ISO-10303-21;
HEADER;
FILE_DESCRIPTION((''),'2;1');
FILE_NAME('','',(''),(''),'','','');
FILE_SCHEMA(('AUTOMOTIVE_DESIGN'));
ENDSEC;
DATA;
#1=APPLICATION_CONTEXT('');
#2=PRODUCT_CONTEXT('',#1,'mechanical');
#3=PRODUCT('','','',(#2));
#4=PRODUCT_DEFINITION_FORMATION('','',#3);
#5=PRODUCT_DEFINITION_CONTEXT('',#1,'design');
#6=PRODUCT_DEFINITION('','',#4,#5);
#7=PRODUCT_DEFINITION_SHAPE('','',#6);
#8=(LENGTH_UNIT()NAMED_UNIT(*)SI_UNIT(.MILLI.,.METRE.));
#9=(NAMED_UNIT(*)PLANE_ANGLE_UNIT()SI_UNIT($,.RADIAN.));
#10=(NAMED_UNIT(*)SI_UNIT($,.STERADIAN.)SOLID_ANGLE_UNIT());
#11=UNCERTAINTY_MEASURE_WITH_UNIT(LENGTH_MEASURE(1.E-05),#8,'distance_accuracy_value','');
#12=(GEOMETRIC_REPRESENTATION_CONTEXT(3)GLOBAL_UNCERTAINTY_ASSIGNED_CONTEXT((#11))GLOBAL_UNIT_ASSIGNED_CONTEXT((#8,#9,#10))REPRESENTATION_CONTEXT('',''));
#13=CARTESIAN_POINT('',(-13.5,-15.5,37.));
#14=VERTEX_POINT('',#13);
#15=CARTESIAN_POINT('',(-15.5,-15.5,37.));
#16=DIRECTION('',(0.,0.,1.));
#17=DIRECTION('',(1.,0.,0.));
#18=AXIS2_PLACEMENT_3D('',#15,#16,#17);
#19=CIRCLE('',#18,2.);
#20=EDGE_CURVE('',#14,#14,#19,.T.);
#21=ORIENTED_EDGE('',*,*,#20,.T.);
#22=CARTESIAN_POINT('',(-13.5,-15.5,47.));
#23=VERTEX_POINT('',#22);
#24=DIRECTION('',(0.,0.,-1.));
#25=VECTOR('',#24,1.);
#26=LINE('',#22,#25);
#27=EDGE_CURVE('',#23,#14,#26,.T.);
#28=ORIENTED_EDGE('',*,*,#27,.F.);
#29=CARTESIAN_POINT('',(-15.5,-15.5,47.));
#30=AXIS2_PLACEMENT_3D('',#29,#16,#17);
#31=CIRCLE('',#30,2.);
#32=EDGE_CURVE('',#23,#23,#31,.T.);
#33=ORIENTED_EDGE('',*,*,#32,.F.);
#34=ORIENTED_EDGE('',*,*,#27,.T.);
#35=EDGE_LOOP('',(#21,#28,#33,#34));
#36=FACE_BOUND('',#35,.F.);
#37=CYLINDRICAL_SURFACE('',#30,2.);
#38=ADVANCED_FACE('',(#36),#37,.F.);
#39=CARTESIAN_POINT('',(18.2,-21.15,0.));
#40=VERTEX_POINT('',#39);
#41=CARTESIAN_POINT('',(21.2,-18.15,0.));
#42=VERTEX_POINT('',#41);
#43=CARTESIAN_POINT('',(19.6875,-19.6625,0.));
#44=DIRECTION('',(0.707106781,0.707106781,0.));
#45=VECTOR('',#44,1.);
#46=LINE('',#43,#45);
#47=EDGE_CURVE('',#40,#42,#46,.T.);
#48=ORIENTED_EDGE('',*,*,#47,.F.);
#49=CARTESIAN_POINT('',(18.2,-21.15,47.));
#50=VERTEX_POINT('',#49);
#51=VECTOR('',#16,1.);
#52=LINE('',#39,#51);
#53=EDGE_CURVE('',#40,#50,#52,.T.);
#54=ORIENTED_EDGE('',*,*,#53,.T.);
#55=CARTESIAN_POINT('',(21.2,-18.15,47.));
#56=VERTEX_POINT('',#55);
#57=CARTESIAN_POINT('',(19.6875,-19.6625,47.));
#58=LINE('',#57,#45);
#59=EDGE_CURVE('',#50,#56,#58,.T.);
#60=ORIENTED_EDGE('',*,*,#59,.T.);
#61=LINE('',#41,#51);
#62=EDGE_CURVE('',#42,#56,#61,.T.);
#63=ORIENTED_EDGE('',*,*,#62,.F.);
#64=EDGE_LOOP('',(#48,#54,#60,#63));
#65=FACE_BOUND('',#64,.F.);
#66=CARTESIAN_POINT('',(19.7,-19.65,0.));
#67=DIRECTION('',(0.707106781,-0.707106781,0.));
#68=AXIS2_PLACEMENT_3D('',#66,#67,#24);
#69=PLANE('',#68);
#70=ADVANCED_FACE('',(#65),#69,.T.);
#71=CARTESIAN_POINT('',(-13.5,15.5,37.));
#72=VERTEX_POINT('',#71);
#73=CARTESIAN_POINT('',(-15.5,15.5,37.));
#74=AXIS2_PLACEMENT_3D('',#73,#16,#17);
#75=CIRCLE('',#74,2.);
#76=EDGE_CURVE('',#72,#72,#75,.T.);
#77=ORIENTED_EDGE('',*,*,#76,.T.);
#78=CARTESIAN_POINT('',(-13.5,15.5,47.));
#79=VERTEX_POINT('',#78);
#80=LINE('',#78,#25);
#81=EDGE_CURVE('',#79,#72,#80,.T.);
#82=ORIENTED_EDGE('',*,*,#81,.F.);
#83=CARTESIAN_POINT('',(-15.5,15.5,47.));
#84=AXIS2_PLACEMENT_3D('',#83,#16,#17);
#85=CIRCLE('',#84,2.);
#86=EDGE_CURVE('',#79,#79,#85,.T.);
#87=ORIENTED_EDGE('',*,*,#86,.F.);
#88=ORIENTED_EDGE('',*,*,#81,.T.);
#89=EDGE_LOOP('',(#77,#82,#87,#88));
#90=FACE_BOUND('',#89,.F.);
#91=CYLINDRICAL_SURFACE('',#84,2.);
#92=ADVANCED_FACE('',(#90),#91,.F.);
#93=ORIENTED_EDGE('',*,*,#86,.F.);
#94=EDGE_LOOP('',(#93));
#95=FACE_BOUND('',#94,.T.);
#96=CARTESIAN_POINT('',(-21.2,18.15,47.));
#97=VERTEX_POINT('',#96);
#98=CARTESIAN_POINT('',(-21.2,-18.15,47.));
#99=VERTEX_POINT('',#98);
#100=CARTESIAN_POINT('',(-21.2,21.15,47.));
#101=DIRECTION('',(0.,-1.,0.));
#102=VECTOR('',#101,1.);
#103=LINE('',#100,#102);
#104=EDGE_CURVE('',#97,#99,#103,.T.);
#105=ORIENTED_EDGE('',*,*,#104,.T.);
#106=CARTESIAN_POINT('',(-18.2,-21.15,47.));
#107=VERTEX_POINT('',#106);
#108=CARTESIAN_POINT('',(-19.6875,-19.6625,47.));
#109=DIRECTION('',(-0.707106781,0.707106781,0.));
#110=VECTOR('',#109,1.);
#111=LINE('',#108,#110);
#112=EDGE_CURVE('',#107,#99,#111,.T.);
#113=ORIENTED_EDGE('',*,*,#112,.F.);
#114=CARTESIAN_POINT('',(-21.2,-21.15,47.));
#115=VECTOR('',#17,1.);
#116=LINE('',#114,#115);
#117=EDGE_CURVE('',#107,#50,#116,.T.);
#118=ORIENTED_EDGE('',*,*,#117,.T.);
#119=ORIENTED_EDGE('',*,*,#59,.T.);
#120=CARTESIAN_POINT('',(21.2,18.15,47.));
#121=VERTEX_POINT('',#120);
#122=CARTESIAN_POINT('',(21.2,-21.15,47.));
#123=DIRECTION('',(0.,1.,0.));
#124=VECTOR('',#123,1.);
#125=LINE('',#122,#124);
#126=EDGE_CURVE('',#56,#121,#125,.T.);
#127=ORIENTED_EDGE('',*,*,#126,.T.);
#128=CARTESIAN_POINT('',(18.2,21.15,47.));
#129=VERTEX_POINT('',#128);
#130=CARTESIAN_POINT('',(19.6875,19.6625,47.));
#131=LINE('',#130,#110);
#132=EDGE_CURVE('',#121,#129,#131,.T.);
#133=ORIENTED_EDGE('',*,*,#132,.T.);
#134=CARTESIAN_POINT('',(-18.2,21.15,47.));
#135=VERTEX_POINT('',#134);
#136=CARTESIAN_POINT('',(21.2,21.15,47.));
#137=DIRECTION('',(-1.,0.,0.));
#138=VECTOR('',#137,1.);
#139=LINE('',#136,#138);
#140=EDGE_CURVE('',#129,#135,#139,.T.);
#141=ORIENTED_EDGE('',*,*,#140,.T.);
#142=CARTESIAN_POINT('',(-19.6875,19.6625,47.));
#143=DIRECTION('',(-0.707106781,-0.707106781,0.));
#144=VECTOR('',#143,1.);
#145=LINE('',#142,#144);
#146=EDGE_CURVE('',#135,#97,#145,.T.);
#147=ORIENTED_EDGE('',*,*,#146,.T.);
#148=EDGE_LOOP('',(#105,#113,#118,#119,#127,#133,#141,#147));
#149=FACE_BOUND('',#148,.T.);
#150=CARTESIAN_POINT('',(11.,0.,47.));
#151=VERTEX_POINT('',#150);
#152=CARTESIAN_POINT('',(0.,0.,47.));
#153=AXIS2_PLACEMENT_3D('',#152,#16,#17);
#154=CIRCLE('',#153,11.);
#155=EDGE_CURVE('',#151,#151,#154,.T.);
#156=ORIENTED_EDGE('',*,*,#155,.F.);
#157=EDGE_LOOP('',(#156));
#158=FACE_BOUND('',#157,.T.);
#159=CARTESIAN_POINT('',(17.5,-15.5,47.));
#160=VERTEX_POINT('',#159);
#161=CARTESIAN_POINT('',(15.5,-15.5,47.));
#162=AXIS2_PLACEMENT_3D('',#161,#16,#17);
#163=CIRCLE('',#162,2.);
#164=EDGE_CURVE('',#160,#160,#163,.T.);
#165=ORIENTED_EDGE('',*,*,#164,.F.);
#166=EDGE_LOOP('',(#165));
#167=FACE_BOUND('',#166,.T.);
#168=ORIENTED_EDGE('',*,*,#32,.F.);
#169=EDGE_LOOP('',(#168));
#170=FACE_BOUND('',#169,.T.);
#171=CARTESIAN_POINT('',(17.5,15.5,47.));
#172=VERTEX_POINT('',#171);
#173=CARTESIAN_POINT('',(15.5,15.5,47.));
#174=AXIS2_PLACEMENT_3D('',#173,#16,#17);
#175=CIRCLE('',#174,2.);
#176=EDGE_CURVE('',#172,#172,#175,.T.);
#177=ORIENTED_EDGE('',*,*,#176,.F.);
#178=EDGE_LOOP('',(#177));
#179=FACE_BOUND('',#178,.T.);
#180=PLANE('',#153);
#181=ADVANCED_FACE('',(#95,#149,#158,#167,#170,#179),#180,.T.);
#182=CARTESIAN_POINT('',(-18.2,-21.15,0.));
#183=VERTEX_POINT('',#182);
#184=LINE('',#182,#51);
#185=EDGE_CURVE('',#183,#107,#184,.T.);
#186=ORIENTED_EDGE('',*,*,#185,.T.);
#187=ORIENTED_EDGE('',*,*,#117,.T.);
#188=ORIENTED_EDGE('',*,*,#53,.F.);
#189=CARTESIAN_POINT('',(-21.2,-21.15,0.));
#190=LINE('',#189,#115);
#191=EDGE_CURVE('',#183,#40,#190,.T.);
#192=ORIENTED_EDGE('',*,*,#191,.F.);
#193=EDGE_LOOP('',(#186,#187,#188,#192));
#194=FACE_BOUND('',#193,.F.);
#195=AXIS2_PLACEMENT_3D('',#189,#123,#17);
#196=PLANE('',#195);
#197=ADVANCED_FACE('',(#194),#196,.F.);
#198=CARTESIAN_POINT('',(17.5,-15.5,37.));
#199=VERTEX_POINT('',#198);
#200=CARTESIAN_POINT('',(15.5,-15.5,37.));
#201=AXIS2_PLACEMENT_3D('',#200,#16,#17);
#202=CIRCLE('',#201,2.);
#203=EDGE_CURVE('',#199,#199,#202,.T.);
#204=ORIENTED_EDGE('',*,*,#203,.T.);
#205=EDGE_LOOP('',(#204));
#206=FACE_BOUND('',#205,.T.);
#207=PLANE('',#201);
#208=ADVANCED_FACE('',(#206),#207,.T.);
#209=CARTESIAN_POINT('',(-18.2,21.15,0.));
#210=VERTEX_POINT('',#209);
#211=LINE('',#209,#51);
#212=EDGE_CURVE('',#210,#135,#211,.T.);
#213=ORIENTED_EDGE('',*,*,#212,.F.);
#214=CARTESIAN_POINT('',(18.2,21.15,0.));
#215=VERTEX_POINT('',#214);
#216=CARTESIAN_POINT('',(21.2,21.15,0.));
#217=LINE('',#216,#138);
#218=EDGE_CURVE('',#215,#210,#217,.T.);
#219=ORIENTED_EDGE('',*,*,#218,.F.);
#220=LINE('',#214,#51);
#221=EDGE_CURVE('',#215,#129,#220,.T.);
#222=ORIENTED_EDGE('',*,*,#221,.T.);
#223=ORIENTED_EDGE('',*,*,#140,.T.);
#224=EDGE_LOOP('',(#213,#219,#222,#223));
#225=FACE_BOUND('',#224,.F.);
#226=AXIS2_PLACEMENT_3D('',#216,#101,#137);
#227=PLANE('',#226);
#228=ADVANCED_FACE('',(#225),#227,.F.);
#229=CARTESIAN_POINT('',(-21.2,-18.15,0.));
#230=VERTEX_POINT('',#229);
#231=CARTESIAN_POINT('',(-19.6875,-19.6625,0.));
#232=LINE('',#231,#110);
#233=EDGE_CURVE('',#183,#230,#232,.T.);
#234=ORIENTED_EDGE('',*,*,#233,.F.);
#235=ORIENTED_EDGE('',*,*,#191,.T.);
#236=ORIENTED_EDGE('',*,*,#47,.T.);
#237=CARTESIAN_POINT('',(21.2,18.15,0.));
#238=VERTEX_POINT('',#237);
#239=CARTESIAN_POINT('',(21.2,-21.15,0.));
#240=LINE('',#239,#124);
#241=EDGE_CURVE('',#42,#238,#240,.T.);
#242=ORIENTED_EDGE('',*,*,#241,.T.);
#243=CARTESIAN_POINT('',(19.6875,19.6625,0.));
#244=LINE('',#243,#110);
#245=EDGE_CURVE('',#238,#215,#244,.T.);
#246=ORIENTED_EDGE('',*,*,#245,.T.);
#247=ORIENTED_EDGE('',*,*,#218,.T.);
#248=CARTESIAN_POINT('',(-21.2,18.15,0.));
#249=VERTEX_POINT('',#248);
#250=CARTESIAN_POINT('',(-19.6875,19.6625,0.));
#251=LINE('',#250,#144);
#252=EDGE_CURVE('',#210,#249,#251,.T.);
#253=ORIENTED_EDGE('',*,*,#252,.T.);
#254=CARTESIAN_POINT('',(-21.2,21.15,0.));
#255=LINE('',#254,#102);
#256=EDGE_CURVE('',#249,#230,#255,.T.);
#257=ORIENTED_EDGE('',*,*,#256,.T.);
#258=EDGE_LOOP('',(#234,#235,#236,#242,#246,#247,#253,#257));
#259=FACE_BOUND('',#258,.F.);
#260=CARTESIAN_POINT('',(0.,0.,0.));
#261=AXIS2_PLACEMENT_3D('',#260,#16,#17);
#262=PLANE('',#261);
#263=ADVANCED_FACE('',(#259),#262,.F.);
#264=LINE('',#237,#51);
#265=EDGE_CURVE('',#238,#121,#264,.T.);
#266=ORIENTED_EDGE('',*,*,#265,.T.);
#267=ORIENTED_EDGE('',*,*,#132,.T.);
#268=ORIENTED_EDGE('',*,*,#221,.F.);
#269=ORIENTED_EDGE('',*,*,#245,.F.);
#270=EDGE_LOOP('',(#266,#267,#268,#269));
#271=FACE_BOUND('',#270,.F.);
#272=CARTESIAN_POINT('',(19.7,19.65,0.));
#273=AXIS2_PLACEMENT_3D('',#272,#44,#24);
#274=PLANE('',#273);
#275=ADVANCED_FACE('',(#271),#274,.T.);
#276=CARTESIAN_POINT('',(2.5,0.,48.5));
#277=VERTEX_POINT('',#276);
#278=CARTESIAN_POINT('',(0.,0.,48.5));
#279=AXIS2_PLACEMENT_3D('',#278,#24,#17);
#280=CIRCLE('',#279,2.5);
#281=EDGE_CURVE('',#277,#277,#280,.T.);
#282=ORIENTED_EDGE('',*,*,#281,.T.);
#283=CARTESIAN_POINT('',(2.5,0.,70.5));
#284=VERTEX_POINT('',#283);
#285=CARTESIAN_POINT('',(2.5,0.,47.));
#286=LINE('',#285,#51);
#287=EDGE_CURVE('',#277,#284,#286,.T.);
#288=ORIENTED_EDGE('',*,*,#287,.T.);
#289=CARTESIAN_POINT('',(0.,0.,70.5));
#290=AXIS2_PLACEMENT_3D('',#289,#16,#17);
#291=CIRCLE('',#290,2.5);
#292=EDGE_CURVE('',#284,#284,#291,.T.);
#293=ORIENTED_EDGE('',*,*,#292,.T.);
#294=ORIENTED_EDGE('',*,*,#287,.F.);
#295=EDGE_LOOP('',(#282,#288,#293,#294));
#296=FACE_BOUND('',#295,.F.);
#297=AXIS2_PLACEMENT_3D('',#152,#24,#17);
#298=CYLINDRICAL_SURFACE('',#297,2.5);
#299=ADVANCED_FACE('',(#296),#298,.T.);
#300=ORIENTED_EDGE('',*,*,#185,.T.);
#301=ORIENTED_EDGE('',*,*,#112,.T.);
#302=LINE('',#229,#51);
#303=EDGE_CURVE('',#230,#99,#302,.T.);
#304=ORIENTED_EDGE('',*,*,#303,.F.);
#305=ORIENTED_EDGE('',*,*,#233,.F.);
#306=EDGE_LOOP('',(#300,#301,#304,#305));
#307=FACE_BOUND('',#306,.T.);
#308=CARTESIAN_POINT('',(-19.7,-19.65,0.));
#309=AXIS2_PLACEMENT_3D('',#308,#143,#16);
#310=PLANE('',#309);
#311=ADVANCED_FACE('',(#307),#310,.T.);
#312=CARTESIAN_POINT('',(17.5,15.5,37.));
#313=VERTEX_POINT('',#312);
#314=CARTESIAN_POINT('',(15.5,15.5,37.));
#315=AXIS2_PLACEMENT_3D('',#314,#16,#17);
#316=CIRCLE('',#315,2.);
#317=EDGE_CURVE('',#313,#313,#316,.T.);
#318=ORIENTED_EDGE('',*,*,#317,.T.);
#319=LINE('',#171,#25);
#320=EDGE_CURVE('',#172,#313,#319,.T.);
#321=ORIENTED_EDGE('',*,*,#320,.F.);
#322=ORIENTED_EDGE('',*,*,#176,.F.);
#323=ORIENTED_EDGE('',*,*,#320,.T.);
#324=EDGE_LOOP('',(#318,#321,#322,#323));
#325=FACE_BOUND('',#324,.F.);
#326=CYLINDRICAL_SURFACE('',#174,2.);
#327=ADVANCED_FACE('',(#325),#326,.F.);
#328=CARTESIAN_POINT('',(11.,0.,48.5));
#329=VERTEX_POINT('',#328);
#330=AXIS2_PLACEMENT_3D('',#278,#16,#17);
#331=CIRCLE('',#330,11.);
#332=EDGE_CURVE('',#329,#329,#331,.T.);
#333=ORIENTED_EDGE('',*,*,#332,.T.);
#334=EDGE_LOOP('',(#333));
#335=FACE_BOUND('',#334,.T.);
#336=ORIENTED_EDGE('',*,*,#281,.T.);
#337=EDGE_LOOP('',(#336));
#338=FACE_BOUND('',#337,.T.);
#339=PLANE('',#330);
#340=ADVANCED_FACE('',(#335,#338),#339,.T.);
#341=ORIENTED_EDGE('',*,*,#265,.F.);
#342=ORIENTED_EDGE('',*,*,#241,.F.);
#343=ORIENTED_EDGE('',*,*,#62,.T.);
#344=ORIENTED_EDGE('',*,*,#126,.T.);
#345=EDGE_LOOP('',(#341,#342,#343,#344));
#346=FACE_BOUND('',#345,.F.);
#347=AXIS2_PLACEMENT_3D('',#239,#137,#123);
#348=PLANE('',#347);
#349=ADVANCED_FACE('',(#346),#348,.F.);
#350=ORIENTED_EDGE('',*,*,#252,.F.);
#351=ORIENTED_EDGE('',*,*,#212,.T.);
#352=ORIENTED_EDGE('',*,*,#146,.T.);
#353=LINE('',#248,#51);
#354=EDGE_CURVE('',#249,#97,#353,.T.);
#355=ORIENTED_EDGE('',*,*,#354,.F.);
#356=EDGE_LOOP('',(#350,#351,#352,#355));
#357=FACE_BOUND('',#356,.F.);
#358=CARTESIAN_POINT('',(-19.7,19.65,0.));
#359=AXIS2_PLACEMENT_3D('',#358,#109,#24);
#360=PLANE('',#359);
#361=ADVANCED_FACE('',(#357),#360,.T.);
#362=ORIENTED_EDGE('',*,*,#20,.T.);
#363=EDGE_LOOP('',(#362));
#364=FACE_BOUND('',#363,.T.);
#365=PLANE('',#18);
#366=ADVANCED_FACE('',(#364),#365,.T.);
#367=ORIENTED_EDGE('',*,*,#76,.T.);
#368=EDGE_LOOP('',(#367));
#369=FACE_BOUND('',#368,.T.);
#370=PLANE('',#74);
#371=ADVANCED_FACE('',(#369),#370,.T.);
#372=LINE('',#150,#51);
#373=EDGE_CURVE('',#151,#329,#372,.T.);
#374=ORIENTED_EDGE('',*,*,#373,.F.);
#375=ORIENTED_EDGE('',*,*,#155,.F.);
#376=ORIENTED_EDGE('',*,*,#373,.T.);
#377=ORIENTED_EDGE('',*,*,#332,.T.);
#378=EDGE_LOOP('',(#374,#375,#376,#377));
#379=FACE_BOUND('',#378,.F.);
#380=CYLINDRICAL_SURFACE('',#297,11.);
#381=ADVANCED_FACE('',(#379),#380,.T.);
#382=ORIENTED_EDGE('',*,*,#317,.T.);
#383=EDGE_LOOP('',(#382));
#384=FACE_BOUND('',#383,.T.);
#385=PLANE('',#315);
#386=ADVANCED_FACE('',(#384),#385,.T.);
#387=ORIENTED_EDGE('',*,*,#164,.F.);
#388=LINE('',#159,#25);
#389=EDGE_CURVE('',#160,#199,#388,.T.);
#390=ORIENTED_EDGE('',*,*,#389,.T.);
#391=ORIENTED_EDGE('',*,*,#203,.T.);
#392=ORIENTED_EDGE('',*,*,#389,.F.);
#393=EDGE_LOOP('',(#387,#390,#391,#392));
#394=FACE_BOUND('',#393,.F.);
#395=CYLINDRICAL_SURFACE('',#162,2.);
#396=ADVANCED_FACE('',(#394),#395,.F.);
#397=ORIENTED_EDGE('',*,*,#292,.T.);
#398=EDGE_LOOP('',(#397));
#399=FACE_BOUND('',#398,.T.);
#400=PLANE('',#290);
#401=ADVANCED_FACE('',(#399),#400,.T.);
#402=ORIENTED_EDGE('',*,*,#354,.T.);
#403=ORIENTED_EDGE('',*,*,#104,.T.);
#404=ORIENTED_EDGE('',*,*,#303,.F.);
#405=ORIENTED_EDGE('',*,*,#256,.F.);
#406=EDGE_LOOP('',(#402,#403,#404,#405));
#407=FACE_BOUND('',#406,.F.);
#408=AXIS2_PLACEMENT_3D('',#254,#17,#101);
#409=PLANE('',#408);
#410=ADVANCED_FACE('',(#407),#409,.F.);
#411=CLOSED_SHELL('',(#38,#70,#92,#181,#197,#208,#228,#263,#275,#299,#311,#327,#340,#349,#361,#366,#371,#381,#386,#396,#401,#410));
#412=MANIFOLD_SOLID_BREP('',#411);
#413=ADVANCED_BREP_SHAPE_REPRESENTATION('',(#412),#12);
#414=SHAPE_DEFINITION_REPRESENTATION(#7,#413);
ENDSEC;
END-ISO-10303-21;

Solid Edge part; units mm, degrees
sketch "Sketch1" plane through (0, 0, 0) normal (0, 0, 1) x (1, 0, 0)
  line L0 (-21.2, -21.15) -> (21.2, -21.15)
  line L1 (21.2, -21.15) -> (21.2, 21.15)
  line L2 (21.2, 21.15) -> (-21.2, 21.15)
  line L3 (-21.2, 21.15) -> (-21.2, -21.15)
extrude "Protrusion1" add sketch "Sketch1" along normal blind 47
chamfer "Chamfer_1" distance 3 angle 45 4 edges at (21.2, -21.15, 23.5) (-21.2, -21.15, 23.5) (-21.2, 21.15, 23.5) (21.2, 21.15, 23.5)
sketch "Sketch2" plane through (0, 0, 47) normal (0, 0, 1) x (1, 0, 0)
  circle A0 centre (0, 0) radius 2.5
extrude "ExtrudedProtrusion_2" add sketch "Sketch2" along normal blind 23.5
sketch "Sketch3" plane through (0, 0, 47) normal (0, 0, 1) x (1, 0, 0)
  circle A0 centre (-15.5, 15.5) radius 2
  circle A1 centre (-15.5, -15.5) radius 2
  circle A2 centre (15.5, -15.5) radius 2
  circle A3 centre (15.5, 15.5) radius 2
extrude "ExtrudedCutout_1" cut sketch "Sketch3" against normal blind 10
sketch "Sketch4" plane through (0, 0, 47) normal (0, 0, 1) x (1, 0, 0)
  circle A0 centre (0, 0) radius 11
extrude "ExtrudedProtrusion_3" add sketch "Sketch4" along normal blind 1.5
